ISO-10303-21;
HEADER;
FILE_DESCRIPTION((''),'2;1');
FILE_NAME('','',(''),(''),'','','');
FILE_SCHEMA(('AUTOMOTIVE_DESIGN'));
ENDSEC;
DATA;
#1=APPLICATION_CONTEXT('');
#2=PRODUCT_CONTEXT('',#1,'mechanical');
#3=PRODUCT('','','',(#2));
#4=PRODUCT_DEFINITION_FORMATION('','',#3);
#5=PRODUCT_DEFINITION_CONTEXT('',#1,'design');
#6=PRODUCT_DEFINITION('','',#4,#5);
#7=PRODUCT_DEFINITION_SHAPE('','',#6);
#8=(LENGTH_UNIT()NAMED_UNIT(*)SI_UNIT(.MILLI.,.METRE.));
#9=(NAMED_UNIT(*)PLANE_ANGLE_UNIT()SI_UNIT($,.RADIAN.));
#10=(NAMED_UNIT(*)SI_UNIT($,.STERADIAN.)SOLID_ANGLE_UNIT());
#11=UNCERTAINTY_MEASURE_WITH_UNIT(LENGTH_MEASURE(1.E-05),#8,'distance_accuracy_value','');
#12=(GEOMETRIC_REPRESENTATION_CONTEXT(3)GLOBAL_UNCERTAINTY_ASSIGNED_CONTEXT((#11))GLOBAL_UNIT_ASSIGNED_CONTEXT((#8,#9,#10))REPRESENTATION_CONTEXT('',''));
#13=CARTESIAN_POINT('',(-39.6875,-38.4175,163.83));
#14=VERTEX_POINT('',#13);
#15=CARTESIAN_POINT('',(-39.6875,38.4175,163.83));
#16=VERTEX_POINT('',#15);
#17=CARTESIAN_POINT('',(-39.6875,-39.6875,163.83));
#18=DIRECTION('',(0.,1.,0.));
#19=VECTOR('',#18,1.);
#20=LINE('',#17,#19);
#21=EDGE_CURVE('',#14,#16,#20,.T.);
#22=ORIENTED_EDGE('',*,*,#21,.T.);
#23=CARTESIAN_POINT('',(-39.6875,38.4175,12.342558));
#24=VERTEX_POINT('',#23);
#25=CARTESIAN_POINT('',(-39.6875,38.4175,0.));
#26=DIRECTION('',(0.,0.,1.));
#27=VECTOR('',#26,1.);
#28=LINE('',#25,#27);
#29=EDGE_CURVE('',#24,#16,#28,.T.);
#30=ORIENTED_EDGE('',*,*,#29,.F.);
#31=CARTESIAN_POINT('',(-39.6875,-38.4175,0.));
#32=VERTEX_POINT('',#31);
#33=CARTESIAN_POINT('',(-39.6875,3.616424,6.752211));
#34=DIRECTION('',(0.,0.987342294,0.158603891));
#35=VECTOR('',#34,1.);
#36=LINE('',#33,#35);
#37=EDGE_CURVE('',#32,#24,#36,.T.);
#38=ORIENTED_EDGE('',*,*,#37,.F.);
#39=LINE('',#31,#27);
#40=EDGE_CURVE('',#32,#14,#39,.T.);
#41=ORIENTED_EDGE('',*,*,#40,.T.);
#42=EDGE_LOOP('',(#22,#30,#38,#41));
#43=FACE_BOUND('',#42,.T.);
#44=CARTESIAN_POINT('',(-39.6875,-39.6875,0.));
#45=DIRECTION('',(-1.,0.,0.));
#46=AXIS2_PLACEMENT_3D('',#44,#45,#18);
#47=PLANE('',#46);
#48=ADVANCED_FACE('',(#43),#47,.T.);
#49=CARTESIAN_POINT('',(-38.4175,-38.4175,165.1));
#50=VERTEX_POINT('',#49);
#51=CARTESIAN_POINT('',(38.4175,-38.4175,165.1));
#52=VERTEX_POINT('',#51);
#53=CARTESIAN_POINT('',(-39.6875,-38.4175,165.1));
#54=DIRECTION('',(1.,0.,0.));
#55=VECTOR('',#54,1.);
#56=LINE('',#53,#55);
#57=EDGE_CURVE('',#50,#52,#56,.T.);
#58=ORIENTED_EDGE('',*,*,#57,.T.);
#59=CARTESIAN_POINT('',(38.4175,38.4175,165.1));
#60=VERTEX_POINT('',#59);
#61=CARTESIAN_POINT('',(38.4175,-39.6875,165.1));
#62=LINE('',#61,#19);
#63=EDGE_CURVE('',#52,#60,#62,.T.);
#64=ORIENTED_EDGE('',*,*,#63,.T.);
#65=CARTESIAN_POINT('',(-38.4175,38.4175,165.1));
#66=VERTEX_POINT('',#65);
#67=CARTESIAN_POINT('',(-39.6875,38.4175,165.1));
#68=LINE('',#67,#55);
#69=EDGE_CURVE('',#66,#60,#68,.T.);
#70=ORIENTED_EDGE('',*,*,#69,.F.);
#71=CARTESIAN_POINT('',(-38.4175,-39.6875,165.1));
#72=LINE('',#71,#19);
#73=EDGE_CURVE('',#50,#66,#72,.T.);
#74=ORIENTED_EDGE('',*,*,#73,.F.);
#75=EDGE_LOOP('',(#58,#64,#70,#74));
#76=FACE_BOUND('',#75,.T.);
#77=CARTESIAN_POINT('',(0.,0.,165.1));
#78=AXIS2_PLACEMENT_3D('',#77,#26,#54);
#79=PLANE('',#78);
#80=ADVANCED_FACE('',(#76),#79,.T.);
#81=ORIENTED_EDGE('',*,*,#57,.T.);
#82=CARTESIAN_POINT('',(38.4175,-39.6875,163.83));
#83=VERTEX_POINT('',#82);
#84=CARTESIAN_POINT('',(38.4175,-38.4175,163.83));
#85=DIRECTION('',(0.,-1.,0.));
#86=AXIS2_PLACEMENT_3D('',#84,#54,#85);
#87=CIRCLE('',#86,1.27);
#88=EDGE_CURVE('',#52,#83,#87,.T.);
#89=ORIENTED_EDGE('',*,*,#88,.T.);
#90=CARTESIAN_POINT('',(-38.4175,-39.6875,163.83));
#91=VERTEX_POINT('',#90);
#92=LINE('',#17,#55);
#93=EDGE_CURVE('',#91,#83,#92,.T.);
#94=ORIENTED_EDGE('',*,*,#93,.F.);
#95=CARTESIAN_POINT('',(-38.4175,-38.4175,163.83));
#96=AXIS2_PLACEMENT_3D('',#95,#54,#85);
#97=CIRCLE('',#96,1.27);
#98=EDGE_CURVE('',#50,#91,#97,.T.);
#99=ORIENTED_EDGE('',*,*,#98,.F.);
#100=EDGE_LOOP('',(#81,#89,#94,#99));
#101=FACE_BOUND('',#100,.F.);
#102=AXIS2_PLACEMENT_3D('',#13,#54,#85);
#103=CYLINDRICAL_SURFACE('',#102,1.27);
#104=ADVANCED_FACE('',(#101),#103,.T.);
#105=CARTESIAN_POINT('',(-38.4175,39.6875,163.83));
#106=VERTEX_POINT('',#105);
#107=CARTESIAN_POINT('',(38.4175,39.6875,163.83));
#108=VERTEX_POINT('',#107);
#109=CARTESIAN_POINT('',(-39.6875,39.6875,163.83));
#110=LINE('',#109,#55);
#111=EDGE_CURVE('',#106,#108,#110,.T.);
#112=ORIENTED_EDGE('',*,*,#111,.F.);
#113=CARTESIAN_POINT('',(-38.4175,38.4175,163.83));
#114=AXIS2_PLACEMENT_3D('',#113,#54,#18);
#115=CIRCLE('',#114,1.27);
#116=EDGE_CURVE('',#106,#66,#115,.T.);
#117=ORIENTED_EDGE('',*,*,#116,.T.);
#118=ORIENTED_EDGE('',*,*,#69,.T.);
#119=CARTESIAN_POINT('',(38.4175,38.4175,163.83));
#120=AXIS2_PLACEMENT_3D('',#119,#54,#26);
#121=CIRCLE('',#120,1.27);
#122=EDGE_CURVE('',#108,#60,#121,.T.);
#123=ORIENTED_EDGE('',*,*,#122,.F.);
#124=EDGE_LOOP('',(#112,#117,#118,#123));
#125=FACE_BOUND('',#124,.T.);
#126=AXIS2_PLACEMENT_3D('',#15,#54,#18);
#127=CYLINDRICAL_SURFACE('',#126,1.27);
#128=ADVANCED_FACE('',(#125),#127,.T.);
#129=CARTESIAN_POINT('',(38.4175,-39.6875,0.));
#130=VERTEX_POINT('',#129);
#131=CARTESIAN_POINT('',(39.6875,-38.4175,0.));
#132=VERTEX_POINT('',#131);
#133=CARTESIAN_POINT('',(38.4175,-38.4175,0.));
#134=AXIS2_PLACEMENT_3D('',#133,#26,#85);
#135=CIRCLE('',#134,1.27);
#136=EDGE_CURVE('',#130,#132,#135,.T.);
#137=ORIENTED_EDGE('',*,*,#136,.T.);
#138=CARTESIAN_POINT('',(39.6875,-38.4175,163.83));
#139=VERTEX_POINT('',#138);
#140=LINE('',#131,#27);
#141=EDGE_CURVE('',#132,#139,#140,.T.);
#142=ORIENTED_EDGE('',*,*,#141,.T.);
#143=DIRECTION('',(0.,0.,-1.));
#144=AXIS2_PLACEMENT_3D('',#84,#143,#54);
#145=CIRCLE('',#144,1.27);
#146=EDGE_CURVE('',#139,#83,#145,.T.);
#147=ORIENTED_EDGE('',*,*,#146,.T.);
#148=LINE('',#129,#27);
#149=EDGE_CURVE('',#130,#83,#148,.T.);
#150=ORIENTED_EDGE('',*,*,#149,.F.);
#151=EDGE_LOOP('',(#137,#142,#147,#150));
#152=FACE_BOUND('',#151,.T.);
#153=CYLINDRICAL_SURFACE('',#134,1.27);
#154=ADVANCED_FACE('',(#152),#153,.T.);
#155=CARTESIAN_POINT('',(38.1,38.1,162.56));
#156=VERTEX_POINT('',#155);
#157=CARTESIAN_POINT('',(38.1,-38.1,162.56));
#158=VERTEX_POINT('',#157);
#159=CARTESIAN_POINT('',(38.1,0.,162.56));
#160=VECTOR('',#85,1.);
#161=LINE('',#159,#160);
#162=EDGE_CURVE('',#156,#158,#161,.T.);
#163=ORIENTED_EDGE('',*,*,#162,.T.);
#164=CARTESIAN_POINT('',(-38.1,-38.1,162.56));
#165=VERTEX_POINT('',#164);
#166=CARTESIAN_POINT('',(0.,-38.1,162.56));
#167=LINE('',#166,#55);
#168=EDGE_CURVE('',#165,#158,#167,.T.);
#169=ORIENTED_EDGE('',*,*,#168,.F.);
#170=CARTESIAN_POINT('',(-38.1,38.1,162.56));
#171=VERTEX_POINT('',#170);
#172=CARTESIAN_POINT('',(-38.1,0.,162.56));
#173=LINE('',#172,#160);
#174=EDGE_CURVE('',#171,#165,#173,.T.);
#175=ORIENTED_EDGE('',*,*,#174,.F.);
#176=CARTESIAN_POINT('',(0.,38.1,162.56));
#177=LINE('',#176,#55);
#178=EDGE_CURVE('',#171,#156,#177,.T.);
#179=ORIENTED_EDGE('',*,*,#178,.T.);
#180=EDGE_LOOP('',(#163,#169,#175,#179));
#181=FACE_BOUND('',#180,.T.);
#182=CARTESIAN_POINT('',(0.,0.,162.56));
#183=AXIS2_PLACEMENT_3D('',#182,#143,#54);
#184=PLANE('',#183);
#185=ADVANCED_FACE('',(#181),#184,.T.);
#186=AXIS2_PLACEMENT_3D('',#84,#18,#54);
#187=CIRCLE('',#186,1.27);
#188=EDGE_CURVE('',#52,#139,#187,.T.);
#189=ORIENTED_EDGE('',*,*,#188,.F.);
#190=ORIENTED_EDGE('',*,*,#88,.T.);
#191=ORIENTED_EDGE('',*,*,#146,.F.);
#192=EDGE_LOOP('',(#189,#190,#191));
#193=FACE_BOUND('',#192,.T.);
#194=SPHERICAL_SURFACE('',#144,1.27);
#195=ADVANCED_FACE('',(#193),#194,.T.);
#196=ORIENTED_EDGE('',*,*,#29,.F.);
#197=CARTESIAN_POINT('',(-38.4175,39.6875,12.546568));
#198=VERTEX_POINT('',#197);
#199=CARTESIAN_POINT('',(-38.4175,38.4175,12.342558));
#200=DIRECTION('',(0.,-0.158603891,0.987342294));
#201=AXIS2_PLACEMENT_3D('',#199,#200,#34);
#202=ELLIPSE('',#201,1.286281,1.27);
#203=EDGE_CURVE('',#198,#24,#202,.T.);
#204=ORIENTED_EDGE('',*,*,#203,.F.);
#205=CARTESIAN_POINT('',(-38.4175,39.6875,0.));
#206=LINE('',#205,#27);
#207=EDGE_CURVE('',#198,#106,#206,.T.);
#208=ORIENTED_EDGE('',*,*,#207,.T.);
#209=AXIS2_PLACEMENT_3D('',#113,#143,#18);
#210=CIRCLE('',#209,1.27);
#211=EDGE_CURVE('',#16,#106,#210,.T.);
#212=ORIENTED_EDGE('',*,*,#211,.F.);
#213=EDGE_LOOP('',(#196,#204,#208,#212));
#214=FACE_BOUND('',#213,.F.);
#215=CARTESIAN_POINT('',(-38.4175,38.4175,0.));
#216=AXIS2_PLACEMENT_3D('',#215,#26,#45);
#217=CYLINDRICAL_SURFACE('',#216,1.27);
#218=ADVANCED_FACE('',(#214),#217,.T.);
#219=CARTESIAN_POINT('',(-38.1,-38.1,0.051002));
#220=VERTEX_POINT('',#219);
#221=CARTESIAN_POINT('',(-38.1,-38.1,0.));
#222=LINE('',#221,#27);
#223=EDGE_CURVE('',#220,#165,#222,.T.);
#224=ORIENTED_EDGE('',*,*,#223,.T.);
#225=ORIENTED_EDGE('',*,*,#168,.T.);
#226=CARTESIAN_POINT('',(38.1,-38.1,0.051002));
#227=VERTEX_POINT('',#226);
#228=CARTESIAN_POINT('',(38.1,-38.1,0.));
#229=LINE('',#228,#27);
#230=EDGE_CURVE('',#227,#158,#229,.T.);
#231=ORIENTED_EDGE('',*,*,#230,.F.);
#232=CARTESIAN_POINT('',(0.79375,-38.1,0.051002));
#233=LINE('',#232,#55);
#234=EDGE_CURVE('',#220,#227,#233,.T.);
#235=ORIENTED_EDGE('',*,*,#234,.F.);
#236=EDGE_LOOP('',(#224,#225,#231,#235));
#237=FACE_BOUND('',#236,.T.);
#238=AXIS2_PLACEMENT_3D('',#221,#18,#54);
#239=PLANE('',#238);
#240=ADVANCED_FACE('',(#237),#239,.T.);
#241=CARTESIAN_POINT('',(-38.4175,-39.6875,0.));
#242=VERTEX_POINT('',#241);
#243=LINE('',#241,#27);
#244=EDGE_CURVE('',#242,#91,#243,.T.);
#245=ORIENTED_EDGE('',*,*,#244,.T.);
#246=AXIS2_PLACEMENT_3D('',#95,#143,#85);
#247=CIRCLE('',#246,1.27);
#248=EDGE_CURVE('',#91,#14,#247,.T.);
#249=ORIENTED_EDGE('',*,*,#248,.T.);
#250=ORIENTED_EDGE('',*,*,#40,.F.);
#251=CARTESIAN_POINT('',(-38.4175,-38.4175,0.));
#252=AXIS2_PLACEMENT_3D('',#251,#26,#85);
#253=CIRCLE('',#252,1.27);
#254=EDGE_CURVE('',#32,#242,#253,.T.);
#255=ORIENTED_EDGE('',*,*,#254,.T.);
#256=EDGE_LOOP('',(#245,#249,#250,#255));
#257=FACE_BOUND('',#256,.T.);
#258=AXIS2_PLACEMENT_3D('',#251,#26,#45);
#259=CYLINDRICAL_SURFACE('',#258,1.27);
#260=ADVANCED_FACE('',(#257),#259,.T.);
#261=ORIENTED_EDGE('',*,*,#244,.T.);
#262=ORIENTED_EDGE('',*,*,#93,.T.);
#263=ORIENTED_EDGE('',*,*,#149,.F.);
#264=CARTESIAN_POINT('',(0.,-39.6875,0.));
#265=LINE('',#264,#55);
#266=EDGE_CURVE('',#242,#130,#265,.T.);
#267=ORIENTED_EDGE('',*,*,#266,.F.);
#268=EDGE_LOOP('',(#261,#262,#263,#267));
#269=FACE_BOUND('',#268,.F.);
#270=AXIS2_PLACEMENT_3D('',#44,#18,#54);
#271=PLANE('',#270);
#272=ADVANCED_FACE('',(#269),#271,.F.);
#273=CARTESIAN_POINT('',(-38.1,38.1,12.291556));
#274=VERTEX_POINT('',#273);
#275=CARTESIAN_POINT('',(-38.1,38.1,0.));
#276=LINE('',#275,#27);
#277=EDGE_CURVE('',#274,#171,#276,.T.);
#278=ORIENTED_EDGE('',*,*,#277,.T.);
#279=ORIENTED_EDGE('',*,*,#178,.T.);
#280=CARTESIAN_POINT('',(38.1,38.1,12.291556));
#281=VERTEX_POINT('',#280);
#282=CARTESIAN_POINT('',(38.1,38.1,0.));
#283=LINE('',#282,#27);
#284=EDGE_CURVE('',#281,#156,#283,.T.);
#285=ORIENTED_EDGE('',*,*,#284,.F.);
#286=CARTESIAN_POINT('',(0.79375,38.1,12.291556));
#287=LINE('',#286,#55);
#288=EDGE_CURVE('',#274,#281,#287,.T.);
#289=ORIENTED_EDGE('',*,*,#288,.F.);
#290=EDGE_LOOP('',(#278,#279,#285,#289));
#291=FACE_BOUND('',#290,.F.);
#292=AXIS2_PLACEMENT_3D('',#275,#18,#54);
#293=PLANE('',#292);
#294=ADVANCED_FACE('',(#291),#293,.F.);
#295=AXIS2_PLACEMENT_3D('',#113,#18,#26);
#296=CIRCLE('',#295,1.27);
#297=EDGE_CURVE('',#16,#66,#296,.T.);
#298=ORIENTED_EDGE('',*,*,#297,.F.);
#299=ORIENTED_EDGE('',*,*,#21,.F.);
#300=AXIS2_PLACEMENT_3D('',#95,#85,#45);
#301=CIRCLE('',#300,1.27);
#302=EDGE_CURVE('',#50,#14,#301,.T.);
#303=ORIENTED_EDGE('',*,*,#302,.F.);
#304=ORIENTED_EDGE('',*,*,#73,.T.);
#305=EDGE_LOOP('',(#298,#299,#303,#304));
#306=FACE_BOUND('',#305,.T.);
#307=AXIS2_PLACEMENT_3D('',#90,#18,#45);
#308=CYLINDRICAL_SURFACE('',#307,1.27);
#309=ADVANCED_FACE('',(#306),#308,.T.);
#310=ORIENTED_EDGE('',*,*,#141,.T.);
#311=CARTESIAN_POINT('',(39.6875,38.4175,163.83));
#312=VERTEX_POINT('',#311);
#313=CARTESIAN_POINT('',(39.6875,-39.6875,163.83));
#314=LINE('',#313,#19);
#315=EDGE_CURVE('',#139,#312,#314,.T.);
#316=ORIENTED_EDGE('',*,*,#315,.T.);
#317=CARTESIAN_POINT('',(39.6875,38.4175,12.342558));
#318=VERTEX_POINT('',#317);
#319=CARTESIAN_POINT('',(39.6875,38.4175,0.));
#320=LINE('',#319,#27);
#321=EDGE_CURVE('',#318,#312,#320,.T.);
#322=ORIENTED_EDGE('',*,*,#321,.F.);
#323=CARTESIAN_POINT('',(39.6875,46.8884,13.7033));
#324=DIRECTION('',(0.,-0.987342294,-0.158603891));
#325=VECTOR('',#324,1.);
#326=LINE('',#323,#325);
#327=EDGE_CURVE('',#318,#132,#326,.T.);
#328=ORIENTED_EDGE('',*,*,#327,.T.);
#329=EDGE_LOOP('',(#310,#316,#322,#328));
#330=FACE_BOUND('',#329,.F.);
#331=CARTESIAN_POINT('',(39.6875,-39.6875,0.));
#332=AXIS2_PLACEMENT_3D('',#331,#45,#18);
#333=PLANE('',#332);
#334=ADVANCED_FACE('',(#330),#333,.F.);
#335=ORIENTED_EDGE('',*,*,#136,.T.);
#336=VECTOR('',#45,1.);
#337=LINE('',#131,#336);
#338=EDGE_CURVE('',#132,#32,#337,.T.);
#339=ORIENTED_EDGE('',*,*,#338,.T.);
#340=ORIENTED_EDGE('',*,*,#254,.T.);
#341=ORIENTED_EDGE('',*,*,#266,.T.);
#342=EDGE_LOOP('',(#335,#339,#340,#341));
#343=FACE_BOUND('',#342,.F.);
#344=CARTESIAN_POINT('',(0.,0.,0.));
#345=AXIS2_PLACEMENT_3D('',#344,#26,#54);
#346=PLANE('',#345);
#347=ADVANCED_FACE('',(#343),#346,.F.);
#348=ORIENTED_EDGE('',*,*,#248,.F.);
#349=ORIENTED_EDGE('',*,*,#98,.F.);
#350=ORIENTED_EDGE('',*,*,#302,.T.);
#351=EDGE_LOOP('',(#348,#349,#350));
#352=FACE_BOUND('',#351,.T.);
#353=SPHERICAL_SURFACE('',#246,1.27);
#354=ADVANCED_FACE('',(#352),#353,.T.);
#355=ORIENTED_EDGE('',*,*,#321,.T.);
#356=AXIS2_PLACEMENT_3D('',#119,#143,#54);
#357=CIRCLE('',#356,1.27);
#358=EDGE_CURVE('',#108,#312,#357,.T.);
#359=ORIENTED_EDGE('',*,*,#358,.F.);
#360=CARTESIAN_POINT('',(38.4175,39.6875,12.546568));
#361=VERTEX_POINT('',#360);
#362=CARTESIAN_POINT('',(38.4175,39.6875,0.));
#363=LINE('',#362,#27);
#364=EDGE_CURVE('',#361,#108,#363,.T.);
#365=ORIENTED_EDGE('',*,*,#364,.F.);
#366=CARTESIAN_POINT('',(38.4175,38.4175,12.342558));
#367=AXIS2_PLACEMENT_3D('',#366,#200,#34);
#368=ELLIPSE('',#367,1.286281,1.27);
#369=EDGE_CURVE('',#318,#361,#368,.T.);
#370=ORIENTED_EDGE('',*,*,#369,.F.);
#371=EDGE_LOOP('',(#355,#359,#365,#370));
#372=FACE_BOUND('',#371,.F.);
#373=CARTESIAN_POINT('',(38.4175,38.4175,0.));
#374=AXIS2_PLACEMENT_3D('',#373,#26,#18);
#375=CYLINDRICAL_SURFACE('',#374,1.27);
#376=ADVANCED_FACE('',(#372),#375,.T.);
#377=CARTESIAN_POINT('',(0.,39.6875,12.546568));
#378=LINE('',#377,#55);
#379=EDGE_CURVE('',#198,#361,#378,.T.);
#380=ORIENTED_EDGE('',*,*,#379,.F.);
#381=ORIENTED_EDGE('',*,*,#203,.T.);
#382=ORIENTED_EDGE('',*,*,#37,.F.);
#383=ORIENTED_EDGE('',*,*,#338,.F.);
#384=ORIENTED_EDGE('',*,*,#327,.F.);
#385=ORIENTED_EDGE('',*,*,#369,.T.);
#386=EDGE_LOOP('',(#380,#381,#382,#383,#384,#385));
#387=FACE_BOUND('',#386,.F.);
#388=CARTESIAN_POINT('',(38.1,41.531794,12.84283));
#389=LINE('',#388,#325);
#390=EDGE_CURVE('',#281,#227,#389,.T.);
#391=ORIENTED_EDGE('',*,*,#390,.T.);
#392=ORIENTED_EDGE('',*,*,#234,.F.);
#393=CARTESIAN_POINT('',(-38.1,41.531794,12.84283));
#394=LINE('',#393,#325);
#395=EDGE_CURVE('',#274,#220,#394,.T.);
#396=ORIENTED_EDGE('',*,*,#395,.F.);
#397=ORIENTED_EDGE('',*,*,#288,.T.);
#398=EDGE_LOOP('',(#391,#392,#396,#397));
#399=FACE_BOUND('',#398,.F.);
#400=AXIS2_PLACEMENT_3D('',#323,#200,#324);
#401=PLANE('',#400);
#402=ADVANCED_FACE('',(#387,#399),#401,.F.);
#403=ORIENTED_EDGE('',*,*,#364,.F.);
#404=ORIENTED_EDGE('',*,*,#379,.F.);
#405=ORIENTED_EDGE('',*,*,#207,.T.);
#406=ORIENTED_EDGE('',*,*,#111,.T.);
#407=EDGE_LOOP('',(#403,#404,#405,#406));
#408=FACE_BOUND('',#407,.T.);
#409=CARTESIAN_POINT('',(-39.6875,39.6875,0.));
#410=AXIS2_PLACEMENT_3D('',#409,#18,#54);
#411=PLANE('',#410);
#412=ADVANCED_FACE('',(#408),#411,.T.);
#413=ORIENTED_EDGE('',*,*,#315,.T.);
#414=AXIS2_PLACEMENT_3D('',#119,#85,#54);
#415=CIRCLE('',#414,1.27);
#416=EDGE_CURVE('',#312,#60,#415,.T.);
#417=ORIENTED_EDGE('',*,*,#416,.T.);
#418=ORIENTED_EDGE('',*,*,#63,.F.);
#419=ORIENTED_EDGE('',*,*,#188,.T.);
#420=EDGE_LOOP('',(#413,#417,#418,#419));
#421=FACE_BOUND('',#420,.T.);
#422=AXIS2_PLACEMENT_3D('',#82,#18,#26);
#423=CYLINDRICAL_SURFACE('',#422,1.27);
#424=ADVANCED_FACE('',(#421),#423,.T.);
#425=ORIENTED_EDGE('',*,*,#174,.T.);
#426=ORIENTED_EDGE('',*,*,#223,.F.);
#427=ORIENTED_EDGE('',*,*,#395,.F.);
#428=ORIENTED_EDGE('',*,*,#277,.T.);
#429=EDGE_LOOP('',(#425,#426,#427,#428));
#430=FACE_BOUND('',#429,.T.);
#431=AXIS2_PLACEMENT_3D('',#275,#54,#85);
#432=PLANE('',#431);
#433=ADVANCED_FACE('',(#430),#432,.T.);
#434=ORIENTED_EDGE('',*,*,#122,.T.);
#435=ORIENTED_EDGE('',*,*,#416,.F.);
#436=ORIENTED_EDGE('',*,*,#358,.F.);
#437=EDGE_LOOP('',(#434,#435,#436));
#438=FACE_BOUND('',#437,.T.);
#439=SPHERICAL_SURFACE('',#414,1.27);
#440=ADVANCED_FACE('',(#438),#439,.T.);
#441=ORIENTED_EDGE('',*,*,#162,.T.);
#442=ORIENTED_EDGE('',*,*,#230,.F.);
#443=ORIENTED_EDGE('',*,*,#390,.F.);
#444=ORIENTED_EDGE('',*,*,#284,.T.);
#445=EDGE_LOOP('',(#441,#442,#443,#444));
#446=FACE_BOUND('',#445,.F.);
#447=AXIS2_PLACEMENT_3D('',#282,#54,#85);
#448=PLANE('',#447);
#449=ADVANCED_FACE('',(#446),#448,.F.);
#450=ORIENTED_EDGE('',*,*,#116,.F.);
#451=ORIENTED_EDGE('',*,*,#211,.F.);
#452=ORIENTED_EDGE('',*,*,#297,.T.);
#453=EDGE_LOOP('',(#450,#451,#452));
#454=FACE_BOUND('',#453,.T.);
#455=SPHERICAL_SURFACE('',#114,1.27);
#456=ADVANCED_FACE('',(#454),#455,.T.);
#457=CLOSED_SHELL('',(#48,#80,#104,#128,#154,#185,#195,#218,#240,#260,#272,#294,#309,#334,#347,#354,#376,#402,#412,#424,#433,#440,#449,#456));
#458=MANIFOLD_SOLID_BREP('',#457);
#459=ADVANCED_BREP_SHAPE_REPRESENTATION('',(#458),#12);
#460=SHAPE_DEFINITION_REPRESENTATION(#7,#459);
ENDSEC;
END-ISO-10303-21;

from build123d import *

# Parameters (mm, degrees)
F0_W     = 79.375
F0_H     = 79.375
F1_DEPTH = 165.1
F2_W     = 76.2
F2_H     = 76.2
F3_DEPTH = 162.56
F4_R     = 1.27
F6_DEPTH = 79.376


with BuildPart() as f1:
    # F0 (on Top) → F1 (new body)
    with BuildSketch(Plane.XY):
        Rectangle(F0_W, F0_H)
    extrude(amount=F1_DEPTH)

    # F2 (on face) → F3 (cut)
    with BuildSketch(Plane(origin=(0, 0, 0), x_dir=(1, 0, 0), z_dir=(0, 0, -1))):
        Rectangle(F2_W, F2_H)
    extrude(amount=-F3_DEPTH, mode=Mode.SUBTRACT)

    # F4
    f4_edges = [f1.edges().sort_by_distance(p)[0] for p in [
        (39.6875, -39.6875, 82.55),
        (39.6875, 0, 165.1),
        (39.6875, 39.6875, 82.55),
        (-39.6875, -39.6875, 82.55),
        (0, -39.6875, 165.1),
        (0, 39.6875, 165.1),
        (-39.6875, 39.6875, 82.55),
        (-39.6875, 0, 165.1),
    ]]
    fillet(f4_edges, radius=F4_R)

    # F5 (on face) → F6 (cut, through all)
    with BuildSketch(Plane.YZ.offset(39.6875)):
        Polygon((46.8884, 13.7033), (-38.4175, 0), (46.8884, -9.378617), align=None)
    extrude(amount=-F6_DEPTH, mode=Mode.SUBTRACT)


solid = f1.part
